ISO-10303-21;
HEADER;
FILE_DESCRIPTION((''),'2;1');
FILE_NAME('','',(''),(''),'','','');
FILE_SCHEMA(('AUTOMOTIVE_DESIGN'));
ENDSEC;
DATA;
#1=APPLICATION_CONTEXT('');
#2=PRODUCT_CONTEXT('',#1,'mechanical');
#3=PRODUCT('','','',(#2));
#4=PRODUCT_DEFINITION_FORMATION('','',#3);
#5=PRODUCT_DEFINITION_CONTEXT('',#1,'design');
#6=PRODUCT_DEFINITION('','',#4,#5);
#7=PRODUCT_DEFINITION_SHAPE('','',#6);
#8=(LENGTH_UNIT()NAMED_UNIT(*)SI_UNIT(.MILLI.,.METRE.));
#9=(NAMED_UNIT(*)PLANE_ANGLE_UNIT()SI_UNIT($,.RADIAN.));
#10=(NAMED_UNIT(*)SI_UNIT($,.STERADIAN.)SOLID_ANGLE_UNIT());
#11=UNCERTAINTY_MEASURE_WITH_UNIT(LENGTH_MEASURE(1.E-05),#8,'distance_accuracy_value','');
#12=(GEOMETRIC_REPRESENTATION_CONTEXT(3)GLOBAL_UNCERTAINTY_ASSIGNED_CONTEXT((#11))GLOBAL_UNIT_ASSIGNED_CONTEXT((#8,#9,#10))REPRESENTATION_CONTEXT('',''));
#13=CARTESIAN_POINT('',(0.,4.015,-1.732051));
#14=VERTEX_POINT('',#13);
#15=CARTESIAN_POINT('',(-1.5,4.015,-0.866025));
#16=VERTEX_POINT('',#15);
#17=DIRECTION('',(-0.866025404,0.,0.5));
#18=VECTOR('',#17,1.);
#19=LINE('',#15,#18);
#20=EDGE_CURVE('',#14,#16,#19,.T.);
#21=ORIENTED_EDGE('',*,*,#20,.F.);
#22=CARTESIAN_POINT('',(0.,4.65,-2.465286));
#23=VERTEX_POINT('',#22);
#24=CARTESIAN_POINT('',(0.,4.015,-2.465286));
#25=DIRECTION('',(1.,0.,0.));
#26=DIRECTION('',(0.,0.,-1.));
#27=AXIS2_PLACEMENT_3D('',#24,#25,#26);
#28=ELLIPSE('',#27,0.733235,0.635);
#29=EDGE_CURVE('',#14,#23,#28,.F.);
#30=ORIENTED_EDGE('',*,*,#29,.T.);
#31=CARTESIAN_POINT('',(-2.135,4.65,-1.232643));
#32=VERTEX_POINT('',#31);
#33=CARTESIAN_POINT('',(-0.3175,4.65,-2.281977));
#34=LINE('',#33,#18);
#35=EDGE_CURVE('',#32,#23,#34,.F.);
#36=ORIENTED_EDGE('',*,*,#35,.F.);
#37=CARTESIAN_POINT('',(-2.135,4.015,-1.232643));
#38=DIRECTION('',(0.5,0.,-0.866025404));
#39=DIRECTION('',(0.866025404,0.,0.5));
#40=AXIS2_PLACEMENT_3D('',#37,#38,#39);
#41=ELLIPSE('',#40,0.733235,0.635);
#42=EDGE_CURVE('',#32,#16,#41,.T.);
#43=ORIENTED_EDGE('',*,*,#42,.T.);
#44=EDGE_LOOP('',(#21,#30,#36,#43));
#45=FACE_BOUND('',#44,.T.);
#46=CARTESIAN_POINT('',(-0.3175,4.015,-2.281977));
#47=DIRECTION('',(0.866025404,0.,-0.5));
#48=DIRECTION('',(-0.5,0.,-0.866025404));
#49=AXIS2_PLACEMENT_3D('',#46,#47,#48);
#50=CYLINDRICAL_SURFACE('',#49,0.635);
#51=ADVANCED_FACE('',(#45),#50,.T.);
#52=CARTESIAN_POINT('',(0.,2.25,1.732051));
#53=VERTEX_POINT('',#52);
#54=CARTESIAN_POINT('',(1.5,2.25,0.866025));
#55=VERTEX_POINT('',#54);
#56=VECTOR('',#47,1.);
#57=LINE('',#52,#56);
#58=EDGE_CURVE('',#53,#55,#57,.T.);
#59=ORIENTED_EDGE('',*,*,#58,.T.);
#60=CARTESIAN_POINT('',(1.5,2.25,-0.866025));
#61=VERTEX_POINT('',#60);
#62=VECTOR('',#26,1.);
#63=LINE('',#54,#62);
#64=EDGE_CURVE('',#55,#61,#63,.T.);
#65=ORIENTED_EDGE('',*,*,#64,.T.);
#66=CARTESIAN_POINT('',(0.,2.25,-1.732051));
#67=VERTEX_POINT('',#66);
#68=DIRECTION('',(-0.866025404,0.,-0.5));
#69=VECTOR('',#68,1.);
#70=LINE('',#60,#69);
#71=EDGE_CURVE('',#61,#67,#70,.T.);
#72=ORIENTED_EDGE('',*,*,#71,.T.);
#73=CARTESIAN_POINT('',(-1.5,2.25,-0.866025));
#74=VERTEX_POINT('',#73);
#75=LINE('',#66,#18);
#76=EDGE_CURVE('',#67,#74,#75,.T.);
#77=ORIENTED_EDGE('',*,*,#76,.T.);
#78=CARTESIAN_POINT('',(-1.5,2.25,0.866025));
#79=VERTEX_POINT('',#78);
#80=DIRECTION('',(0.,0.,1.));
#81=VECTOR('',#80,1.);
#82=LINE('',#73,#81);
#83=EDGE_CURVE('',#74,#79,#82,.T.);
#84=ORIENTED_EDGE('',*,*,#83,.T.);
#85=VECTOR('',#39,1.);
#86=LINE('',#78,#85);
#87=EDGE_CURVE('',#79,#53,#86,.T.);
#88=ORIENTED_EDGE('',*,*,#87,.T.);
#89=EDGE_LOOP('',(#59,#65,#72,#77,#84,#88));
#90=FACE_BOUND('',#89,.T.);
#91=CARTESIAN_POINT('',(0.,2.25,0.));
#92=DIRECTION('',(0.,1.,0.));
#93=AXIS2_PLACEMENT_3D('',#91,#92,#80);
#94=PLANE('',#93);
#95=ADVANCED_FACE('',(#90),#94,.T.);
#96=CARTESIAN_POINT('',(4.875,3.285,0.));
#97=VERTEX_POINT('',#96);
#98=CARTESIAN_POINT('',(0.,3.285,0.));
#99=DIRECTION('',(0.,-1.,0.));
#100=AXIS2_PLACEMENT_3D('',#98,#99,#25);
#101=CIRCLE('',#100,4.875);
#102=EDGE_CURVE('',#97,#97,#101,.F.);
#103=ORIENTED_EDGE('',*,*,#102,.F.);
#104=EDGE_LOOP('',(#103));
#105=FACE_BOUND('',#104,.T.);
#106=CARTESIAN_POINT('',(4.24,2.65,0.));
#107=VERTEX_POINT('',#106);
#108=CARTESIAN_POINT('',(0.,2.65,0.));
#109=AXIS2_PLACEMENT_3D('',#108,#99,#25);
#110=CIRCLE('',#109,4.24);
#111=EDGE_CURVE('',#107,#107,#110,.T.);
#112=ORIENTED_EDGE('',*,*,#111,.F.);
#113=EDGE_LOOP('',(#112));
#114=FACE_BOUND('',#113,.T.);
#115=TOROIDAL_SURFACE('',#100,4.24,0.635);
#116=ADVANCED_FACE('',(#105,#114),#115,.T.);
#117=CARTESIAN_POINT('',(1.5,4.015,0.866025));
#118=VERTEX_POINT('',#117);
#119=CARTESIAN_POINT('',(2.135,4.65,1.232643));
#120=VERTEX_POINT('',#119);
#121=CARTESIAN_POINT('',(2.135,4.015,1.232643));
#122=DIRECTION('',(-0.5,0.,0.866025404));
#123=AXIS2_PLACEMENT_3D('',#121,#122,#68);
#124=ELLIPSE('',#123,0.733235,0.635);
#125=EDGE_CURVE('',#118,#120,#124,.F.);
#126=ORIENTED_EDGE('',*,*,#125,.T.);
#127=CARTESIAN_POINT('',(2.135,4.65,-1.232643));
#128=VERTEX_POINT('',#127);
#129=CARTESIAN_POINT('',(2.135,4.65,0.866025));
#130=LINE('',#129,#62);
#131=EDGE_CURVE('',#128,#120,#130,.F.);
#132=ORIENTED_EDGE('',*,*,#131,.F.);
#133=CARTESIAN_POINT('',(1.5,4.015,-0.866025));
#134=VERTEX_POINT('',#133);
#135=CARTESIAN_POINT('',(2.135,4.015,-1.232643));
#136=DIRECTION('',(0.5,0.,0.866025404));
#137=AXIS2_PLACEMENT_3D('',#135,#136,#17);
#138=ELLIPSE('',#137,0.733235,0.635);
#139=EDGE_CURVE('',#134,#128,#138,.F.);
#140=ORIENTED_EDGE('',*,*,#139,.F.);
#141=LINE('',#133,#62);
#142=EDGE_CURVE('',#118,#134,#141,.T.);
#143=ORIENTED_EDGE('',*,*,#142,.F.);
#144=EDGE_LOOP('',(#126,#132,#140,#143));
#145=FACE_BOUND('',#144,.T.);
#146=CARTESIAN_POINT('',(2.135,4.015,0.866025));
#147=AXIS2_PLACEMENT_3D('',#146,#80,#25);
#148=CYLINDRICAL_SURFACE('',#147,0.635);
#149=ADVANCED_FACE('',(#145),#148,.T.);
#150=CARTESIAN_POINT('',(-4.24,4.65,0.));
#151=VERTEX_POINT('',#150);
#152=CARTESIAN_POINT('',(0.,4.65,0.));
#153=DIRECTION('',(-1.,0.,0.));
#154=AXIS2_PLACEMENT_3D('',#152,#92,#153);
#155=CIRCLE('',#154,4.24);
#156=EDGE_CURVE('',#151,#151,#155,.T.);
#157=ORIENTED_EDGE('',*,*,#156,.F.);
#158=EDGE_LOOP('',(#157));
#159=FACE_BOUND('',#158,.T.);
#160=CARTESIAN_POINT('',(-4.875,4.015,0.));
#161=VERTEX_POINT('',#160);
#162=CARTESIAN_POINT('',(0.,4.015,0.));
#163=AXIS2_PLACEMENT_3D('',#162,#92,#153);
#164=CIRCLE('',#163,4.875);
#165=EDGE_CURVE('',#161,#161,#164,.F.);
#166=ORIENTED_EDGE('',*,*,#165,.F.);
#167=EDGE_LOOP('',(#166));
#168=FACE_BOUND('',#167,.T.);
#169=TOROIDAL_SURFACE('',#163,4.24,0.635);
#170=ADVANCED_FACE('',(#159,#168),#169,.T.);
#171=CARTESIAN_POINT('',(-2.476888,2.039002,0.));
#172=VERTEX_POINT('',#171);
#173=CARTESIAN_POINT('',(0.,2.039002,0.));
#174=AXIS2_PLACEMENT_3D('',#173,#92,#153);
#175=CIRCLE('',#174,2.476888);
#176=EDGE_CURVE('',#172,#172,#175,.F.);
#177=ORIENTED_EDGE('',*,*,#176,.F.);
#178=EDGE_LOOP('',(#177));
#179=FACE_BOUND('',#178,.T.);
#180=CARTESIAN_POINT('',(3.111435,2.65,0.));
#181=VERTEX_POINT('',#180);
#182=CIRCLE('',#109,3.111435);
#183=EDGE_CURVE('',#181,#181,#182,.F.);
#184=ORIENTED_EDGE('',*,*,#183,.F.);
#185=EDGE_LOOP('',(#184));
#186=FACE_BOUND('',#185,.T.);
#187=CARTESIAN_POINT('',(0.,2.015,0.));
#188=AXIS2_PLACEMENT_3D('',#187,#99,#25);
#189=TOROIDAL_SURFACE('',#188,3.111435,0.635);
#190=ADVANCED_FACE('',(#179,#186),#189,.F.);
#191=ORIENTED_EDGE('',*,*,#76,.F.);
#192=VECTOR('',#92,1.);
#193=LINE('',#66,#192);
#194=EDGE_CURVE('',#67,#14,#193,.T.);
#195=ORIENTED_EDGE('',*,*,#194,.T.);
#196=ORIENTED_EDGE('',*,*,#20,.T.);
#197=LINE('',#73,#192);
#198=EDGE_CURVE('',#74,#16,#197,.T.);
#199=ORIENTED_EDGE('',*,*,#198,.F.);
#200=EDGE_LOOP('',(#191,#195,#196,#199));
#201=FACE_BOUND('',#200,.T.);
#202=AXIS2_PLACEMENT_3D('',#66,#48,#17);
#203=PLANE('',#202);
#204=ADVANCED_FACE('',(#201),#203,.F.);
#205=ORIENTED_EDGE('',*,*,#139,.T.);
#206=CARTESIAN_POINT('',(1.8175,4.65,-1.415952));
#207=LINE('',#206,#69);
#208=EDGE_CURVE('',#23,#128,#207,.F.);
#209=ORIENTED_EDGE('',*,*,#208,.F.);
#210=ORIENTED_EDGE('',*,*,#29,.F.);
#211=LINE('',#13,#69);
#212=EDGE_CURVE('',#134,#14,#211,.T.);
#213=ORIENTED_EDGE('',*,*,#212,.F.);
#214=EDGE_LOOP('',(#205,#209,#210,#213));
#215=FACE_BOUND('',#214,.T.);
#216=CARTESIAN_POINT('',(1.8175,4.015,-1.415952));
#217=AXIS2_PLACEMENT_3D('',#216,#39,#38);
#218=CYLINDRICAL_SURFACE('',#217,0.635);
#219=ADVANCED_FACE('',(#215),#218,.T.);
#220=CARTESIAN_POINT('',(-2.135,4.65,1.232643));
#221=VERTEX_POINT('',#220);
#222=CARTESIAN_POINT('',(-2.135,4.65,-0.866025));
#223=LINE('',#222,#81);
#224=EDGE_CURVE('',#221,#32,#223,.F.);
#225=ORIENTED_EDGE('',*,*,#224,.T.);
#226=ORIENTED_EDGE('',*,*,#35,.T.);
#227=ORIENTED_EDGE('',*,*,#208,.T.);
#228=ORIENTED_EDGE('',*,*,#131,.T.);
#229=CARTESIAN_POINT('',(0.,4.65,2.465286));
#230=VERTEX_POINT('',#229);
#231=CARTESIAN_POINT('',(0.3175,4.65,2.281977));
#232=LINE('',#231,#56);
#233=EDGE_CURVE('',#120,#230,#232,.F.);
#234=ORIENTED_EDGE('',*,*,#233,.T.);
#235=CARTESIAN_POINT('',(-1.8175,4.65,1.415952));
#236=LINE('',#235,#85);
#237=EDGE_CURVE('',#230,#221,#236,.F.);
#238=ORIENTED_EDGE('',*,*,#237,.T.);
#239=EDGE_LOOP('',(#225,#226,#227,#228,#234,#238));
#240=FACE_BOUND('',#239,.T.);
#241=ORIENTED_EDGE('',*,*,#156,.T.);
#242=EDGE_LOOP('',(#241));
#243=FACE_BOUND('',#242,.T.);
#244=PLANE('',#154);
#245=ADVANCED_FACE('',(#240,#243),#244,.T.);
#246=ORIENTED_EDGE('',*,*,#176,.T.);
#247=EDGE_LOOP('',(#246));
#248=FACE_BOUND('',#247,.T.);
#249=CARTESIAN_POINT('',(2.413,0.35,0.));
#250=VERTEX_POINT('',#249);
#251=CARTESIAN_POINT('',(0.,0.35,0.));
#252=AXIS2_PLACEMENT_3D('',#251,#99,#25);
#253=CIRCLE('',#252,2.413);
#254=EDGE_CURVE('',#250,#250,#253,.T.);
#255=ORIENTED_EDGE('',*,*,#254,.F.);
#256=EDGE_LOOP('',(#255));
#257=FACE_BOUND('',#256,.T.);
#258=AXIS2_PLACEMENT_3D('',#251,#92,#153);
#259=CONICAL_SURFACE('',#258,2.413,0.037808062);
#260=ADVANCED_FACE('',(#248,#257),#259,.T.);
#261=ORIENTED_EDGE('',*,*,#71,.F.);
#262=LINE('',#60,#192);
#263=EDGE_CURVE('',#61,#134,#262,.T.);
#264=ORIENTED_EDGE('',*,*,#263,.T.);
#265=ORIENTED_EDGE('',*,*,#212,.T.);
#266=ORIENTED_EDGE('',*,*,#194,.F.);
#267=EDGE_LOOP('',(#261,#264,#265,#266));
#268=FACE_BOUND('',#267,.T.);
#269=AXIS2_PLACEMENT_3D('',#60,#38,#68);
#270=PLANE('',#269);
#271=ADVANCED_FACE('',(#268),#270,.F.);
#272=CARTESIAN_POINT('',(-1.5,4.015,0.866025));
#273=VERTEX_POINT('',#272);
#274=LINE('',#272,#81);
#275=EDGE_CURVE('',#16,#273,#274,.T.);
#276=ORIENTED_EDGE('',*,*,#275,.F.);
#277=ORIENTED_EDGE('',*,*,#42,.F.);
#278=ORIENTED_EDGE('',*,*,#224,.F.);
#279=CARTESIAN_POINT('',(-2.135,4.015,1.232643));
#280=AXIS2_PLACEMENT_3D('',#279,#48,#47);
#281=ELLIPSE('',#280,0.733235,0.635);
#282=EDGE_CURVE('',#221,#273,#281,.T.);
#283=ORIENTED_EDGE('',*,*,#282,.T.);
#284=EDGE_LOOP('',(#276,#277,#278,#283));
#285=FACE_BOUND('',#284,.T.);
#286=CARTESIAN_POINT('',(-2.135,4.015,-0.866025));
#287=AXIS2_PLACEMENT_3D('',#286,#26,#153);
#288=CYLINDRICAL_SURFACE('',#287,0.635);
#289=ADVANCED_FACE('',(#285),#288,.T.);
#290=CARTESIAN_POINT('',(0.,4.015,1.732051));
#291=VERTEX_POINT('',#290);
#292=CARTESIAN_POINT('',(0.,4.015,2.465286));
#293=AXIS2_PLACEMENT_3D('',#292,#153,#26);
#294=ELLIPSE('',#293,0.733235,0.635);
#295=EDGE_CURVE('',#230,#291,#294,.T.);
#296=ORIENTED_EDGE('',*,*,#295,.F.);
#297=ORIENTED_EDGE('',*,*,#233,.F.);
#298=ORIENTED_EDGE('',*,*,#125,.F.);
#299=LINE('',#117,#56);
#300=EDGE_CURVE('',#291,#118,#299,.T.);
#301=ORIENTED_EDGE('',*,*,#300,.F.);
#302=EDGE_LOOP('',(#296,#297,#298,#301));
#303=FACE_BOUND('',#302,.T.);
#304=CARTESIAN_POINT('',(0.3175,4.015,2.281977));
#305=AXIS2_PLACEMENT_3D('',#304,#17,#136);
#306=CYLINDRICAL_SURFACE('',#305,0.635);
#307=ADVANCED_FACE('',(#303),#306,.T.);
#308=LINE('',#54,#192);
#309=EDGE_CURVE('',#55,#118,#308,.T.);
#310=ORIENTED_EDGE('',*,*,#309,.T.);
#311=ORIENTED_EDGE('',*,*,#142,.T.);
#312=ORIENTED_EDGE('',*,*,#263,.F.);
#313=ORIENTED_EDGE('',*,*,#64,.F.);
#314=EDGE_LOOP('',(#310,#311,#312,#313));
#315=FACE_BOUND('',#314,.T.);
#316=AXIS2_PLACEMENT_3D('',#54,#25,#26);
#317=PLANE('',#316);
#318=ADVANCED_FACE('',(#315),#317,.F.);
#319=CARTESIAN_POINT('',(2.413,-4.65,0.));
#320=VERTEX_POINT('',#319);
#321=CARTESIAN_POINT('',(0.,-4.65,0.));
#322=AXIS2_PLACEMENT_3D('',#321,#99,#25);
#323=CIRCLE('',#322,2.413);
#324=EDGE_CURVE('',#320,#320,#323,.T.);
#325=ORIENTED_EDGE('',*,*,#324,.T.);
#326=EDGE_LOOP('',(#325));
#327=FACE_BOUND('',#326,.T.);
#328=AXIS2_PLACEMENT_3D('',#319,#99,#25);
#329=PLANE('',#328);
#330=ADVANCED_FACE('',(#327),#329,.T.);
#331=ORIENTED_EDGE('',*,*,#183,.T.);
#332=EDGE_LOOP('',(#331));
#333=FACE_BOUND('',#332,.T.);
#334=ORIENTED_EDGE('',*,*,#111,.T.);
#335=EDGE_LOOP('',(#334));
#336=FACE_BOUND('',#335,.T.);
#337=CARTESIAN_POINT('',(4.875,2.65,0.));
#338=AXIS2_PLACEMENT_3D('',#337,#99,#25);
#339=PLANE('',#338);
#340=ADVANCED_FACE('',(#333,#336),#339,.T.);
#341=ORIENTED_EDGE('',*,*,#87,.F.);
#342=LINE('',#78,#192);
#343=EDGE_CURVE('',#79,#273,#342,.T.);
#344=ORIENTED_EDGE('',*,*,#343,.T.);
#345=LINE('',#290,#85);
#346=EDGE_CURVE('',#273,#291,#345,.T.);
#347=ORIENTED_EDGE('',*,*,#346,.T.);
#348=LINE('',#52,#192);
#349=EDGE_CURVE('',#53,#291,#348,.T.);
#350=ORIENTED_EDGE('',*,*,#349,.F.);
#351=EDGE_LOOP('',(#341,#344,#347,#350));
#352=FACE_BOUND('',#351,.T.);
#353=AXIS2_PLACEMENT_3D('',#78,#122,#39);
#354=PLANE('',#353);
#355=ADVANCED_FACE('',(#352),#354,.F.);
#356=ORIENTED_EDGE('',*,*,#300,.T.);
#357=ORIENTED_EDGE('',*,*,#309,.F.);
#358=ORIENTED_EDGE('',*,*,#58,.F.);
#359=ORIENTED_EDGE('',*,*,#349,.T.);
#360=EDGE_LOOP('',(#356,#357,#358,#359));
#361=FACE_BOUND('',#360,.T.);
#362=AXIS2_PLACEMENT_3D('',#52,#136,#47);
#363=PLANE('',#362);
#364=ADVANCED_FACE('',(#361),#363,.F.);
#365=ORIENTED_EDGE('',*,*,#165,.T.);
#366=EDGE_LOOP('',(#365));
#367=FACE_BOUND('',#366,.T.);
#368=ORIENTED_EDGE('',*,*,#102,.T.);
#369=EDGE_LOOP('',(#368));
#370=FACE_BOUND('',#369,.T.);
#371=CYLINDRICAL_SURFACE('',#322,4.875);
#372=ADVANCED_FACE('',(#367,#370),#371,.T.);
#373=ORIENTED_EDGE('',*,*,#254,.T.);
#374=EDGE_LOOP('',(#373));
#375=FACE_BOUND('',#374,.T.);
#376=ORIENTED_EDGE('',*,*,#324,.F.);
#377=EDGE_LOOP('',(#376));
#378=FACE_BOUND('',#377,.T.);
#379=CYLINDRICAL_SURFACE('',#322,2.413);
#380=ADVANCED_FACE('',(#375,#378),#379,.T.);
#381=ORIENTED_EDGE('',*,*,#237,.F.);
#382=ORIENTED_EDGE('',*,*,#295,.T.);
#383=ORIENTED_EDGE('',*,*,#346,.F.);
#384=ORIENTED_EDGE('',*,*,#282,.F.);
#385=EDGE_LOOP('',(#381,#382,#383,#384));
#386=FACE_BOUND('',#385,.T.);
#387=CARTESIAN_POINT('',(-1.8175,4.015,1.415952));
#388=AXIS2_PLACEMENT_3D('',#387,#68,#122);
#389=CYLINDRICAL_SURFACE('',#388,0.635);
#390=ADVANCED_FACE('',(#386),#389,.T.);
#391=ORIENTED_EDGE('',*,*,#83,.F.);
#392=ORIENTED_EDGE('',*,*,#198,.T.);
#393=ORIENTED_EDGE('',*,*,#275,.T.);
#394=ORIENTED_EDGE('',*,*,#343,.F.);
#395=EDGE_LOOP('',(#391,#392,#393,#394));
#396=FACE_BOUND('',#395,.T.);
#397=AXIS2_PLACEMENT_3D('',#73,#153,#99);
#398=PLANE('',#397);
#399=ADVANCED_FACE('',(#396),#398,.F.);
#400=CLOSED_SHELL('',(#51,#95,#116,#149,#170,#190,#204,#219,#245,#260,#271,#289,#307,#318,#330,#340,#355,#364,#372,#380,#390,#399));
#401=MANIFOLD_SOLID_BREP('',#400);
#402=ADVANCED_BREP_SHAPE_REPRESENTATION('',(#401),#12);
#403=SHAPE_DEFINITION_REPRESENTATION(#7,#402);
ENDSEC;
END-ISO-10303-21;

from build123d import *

# Parameters (mm, degrees)
FILLET1_R          = 0.635
CUT_EXTRUDE1_DEPTH = 2.4
FILLET2_R          = 0.635


with BuildPart() as part:
    # Sketch2 → Revolve1 (revolve)
    with BuildSketch(Plane.XY):
        Polygon((0, 4.65), (4.875, 4.65), (4.875, 2.65), (2.5, 2.65), (2.413, 0.35), (2.413, -4.65), (0, -4.65), align=None)
    revolve(axis=Axis((0, -4.65, 0), (0, 1, 0)))

    # Fillet1
    fillet1_edges = [part.edges().sort_by_distance(p)[0] for p in [
        (-2.5, 2.65, 0),
        (-4.875, 2.65, 0),
        (-4.875, 4.65, 0),
    ]]
    fillet(fillet1_edges, radius=FILLET1_R)

    # Sketch3 → Cut-Extrude1 (cut)
    with BuildSketch(Plane(origin=(0, 4.65, 0), x_dir=(1, 0, 0), z_dir=(0, 1, 0))):
        Polygon((0, 1.732050808), (-1.5, 0.866025404), (-1.5, -0.866025404), (0, -1.732050808), (1.5, -0.866025404), (1.5, 0.866025404), align=None)
    extrude(amount=-CUT_EXTRUDE1_DEPTH, mode=Mode.SUBTRACT)

    # Fillet2
    fillet2_edges = [part.edges().sort_by_distance(p)[0] for p in [
        (0.75, 4.65, -1.299038106),
        (-0.75, 4.65, -1.299038106),
        (-1.5, 4.65, 0),
        (-0.75, 4.65, 1.299038106),
        (0.75, 4.65, 1.299038106),
        (1.5, 4.65, 0),
    ]]
    fillet(fillet2_edges, radius=FILLET2_R)


solid = part.part
